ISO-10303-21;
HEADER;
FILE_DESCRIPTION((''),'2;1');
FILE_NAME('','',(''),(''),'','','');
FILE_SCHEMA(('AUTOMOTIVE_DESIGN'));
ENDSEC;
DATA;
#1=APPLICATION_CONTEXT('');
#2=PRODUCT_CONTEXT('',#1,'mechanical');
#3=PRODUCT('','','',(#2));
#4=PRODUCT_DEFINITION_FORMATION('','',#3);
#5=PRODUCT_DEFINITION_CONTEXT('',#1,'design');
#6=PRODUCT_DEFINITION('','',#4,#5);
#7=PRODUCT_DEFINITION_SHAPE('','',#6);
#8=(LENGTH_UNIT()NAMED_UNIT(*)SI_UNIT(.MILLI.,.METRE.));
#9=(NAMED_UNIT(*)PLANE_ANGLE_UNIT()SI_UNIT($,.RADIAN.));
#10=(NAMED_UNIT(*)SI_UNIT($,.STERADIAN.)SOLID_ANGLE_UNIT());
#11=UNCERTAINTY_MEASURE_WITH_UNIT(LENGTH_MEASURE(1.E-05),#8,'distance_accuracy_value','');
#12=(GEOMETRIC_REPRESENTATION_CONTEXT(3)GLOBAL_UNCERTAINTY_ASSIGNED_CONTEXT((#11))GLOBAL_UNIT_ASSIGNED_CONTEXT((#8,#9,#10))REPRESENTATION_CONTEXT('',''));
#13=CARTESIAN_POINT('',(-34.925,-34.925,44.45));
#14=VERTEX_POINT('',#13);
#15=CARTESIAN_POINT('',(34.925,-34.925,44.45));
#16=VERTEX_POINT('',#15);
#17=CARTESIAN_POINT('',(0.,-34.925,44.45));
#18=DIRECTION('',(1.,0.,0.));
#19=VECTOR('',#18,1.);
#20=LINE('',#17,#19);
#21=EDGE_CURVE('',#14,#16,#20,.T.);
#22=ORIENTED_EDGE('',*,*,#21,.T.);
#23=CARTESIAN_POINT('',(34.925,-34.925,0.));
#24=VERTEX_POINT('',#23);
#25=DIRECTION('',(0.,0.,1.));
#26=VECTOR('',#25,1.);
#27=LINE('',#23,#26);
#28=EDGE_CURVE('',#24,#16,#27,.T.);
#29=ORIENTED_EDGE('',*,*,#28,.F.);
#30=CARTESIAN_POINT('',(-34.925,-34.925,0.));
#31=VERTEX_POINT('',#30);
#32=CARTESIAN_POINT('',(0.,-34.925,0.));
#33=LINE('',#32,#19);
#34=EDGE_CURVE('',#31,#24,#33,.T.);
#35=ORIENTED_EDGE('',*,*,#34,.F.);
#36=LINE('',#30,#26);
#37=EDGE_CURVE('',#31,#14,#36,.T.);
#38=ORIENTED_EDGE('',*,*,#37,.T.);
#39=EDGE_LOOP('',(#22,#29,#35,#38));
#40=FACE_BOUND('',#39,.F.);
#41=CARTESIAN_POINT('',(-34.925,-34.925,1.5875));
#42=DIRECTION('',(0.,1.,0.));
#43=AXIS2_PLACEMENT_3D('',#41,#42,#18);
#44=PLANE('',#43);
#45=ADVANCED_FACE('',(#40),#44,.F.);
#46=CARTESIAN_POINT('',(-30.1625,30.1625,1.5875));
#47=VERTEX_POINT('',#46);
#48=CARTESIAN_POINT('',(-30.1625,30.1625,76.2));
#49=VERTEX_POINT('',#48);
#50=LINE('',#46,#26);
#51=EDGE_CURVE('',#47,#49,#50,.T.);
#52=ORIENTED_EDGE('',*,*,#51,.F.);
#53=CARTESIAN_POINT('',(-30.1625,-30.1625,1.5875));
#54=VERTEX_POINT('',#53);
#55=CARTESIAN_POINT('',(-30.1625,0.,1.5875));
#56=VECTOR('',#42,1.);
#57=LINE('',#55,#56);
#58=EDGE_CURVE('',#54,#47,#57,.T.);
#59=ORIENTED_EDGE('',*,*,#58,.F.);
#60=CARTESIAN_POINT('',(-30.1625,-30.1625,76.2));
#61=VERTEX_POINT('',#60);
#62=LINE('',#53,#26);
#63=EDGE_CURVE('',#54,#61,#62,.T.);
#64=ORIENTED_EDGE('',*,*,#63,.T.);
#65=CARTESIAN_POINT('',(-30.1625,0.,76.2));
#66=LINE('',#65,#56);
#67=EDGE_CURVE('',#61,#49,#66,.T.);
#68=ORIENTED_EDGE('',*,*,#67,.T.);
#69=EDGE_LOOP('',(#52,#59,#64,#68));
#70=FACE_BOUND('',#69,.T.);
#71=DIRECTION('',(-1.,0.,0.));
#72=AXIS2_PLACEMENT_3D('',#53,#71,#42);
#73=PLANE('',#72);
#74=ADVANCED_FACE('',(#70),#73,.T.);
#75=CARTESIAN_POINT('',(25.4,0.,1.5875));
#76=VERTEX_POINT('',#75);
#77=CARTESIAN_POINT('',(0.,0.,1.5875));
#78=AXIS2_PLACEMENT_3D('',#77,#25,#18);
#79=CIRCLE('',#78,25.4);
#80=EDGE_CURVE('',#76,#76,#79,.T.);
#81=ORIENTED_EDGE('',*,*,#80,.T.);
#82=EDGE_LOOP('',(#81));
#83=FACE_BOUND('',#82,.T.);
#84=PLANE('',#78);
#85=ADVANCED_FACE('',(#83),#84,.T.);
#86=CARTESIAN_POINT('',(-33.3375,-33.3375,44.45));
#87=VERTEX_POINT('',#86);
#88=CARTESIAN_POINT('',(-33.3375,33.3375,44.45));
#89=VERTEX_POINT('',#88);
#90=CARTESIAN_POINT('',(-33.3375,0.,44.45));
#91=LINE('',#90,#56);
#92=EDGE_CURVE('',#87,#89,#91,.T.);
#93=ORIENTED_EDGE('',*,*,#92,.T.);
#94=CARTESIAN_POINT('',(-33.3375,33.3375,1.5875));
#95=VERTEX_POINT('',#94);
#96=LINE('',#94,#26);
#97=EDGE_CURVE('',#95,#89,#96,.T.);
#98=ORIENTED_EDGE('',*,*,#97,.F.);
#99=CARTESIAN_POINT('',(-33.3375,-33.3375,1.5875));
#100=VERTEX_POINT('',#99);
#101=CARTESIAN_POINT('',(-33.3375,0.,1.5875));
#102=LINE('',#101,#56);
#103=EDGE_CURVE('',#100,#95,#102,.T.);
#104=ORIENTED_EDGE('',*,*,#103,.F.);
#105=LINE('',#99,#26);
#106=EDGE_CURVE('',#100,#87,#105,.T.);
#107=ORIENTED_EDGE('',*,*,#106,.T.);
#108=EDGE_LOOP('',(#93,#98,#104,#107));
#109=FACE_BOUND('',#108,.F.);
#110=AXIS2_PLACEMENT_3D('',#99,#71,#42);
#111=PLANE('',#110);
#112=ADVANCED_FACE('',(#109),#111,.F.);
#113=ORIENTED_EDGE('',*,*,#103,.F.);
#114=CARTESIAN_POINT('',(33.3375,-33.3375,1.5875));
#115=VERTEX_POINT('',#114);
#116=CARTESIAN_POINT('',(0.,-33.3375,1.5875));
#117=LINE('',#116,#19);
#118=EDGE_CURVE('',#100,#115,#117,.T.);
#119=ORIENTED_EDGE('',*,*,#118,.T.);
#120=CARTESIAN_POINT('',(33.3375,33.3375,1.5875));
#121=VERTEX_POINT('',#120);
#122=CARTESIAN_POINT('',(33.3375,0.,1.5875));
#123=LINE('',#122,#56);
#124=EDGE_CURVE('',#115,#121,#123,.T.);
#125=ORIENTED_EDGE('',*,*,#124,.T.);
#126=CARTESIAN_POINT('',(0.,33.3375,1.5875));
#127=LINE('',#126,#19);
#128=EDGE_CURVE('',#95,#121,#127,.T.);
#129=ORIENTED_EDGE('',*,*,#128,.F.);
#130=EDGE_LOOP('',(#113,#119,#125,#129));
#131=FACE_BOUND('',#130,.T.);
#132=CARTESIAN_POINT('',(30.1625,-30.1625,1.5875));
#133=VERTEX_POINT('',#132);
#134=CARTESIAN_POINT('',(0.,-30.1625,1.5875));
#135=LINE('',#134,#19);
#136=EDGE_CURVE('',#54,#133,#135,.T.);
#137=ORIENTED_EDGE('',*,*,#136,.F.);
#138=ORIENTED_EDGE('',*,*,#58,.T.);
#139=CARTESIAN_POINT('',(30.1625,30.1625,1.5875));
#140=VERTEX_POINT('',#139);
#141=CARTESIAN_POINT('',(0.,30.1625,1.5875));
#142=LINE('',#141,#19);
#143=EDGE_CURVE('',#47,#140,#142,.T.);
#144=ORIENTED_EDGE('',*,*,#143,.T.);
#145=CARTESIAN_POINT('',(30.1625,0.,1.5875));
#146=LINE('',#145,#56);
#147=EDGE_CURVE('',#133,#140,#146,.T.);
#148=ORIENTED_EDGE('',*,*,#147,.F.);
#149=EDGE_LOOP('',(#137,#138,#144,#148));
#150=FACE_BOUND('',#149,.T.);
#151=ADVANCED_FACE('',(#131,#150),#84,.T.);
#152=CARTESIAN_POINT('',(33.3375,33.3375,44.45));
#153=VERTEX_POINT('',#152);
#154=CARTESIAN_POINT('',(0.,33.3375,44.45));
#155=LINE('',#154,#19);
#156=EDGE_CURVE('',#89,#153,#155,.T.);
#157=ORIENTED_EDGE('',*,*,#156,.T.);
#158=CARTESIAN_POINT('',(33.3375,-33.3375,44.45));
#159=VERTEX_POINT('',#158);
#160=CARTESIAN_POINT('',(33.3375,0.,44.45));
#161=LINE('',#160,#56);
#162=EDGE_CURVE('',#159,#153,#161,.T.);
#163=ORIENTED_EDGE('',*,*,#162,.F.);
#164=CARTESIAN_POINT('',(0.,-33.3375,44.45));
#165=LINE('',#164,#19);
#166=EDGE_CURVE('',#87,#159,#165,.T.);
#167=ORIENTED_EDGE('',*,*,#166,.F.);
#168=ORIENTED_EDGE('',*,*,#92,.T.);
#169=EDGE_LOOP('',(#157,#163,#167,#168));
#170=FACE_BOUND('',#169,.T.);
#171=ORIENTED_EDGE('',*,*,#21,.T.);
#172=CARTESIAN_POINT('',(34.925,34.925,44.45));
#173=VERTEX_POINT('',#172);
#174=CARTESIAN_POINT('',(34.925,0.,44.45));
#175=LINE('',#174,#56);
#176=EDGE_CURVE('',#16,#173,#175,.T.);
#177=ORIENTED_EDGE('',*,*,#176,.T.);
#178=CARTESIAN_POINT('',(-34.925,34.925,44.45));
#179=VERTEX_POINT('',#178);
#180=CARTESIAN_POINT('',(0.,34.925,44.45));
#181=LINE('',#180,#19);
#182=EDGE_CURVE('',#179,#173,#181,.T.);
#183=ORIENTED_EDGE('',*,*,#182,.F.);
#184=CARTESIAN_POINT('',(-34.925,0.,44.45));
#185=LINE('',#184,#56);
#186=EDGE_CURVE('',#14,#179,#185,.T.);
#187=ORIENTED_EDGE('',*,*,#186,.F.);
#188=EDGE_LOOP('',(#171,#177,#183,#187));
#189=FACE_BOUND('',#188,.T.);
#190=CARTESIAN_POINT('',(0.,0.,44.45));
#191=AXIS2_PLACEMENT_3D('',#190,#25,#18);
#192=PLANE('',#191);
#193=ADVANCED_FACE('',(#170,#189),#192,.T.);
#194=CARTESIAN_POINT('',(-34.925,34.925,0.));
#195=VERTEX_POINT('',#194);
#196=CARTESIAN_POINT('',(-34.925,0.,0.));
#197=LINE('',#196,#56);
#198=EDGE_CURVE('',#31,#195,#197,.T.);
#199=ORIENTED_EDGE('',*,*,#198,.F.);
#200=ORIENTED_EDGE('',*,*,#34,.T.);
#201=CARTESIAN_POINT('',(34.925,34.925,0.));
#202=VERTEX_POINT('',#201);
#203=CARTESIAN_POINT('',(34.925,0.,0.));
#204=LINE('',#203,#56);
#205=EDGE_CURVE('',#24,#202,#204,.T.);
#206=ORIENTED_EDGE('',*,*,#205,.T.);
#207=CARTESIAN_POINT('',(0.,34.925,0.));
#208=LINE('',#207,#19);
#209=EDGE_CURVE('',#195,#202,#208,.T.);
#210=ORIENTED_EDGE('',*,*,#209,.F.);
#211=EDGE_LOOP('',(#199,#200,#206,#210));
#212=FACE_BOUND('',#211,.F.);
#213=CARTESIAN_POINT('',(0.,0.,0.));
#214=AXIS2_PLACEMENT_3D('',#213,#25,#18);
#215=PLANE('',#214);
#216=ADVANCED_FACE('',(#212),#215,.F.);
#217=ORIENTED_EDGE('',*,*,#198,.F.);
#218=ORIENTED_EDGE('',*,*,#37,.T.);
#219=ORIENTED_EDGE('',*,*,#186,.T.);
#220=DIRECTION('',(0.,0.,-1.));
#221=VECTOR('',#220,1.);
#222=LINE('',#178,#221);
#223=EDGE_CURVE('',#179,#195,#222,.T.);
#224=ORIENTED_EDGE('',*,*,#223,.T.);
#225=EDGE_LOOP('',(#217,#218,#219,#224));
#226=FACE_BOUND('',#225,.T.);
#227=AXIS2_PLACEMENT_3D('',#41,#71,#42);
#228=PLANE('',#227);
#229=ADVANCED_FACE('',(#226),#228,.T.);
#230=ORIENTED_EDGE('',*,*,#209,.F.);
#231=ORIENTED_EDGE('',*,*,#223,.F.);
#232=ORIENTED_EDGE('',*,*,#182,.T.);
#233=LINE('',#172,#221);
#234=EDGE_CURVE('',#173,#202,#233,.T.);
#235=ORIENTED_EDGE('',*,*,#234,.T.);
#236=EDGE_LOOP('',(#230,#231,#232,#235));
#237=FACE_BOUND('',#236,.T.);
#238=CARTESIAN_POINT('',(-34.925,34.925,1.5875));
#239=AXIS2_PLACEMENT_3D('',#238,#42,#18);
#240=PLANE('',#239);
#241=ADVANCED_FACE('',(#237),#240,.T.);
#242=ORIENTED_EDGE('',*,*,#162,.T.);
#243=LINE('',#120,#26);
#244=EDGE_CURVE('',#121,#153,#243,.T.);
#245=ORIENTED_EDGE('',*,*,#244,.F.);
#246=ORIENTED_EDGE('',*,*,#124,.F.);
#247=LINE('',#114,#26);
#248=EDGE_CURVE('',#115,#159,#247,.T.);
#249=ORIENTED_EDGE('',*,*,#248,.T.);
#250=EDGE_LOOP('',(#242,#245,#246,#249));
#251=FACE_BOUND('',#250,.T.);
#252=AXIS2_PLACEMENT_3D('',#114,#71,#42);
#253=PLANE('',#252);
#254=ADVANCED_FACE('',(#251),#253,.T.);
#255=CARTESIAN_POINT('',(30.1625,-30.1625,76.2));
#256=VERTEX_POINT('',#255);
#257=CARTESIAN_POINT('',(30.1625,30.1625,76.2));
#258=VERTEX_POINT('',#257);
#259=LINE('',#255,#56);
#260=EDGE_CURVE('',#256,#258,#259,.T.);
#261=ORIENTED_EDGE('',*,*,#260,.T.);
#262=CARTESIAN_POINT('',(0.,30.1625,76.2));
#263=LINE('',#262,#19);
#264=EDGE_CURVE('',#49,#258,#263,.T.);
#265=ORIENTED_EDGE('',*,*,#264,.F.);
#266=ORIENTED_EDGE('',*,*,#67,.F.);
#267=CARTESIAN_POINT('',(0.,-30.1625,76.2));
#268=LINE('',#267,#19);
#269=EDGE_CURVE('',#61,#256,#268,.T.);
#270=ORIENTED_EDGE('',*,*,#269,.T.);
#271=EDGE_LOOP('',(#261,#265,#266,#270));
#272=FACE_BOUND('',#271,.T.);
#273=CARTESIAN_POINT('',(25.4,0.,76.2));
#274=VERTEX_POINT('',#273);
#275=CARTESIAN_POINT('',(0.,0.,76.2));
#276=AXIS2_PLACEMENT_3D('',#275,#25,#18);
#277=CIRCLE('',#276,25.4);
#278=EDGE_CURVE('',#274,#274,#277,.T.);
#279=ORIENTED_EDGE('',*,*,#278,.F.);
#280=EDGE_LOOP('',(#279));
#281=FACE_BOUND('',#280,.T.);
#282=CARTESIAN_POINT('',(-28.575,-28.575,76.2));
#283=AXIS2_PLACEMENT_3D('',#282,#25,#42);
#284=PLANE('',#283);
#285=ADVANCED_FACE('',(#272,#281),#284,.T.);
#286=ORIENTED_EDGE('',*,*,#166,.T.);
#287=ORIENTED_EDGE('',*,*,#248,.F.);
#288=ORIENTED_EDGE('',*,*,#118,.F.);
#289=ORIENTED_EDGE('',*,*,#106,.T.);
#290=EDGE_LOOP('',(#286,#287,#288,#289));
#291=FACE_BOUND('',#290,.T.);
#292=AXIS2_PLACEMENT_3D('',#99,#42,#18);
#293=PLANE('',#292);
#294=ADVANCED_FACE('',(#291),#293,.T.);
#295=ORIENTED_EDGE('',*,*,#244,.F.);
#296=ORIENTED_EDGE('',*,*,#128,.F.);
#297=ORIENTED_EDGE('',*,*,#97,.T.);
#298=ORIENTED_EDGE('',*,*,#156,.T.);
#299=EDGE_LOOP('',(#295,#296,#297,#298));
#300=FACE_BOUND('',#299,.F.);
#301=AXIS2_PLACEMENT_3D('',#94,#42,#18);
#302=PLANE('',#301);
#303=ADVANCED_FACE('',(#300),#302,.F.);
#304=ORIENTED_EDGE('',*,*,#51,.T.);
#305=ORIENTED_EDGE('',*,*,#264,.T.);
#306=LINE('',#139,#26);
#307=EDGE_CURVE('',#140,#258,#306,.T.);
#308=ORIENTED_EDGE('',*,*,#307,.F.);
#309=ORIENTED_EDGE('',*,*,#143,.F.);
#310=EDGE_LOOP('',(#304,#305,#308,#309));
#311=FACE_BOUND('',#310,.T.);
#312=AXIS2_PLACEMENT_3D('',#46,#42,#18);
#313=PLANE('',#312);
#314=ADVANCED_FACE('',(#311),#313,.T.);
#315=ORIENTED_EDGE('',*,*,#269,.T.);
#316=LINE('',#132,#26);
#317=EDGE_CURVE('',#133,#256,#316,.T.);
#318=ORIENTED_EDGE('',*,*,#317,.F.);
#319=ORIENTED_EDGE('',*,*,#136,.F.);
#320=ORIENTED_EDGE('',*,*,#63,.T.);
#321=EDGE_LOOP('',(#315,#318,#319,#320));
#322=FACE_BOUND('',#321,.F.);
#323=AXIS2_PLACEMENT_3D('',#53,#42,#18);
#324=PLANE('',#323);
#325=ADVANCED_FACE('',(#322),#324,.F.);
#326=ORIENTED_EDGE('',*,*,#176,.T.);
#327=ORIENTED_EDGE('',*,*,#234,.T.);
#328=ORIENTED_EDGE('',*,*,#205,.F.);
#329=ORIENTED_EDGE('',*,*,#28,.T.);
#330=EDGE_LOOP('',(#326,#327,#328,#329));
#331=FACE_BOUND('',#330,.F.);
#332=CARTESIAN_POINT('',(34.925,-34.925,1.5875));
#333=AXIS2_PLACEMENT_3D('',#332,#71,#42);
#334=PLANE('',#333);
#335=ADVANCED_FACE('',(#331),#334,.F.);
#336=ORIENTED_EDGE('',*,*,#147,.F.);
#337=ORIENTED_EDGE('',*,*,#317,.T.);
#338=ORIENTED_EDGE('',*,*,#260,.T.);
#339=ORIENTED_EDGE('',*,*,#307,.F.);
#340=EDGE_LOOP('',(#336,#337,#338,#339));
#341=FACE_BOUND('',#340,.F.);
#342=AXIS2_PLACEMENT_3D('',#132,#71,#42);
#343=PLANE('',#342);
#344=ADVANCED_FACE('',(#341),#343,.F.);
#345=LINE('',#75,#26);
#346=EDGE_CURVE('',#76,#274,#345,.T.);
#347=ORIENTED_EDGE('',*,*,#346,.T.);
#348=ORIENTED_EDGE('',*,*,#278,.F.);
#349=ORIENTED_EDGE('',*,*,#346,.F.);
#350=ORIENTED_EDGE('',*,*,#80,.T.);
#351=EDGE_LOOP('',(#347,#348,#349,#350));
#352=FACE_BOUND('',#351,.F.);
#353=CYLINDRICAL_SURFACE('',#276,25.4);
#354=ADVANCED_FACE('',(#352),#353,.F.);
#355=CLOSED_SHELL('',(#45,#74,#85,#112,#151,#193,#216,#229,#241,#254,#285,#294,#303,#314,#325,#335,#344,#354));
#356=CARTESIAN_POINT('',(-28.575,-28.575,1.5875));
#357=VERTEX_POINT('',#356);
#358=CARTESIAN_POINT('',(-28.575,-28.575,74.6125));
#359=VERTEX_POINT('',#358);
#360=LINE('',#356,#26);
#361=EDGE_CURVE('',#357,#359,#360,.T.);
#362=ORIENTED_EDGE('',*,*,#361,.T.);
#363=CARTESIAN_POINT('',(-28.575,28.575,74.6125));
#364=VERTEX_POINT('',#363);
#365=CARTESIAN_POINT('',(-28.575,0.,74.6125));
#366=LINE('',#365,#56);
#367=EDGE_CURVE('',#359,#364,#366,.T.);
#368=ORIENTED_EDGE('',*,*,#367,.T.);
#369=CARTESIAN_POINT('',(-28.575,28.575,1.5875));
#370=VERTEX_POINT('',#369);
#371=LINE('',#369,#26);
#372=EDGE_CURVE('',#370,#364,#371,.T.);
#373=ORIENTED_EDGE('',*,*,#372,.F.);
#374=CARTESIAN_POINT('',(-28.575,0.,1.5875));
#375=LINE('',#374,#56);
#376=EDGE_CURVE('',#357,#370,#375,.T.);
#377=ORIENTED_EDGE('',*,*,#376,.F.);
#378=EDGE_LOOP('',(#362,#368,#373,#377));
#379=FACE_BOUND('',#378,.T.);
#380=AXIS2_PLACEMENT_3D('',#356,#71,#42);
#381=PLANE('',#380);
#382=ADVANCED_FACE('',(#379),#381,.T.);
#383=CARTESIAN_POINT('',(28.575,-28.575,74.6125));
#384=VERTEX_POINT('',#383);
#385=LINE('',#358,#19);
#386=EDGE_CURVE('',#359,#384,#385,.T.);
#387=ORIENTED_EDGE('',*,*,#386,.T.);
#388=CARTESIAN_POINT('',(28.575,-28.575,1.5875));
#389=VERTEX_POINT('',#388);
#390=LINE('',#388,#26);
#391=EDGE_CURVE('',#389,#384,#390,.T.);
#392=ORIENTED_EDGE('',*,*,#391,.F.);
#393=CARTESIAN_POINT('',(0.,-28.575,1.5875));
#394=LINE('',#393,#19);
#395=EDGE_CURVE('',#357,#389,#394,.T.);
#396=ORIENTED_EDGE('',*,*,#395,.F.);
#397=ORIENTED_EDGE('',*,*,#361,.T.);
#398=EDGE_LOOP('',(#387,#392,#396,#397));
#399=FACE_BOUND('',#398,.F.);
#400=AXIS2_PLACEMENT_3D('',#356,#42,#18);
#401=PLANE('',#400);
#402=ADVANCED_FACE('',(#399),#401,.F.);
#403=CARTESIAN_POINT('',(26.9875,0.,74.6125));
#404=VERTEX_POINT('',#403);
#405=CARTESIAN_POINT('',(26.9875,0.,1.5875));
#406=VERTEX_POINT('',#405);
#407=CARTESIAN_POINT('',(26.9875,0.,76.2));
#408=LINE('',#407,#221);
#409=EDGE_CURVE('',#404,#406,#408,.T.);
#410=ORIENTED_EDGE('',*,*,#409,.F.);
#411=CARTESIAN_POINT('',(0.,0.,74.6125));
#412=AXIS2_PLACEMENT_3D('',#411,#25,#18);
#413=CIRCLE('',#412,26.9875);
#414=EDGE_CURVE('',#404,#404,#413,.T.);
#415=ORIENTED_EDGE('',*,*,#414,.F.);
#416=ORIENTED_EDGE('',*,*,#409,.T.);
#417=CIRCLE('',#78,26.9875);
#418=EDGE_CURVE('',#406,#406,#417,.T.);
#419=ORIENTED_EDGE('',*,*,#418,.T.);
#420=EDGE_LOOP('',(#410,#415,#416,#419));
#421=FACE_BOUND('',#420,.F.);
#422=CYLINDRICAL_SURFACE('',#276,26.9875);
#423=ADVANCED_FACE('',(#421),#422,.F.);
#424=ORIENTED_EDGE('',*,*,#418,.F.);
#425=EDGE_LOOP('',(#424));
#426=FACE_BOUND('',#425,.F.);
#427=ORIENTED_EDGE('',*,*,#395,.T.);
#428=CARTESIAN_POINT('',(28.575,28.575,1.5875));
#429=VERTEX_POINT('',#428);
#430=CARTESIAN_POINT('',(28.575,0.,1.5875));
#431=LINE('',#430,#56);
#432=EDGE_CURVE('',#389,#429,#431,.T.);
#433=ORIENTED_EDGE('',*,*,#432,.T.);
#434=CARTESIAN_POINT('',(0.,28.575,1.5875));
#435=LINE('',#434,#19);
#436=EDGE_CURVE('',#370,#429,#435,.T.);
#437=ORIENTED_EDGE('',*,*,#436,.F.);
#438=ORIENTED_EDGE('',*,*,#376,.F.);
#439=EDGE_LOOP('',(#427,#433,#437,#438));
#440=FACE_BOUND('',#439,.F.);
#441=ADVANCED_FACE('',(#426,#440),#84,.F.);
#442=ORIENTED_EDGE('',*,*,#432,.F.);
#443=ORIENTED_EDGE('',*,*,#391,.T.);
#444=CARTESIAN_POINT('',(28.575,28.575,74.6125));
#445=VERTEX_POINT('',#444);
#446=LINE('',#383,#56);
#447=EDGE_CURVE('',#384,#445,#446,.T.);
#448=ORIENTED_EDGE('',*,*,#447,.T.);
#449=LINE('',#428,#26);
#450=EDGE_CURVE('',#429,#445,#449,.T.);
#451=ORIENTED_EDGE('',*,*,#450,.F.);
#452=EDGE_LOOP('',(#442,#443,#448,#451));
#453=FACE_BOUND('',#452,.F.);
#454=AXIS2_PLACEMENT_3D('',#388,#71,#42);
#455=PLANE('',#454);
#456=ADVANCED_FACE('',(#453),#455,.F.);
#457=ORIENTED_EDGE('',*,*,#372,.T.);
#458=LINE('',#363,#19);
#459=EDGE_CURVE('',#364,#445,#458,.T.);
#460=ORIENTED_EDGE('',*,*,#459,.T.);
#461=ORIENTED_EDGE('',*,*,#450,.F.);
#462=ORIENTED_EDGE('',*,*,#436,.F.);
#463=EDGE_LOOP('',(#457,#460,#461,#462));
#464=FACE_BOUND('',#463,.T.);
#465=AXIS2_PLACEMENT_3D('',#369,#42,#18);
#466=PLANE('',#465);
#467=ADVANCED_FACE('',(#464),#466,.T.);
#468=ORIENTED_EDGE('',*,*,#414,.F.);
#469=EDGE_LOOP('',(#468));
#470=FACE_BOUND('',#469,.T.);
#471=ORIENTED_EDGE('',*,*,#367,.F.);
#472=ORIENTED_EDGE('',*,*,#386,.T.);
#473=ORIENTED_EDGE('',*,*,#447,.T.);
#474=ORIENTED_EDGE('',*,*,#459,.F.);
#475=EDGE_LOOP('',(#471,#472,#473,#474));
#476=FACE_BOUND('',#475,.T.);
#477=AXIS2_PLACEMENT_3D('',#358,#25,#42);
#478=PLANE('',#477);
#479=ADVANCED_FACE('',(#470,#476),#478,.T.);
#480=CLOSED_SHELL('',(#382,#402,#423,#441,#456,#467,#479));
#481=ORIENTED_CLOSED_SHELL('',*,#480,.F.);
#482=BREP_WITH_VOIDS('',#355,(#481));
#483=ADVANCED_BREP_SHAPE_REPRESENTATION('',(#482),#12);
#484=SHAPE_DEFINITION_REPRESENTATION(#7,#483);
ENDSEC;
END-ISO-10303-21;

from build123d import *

# Parameters (mm, degrees)
F0_W      = 69.85
F0_H      = 69.85
F1_DEPTH  = 1.5875
F2_W      = 69.85
F2_H      = 69.85
F2_W_2    = 66.675
F2_H_2    = 66.675
F3_DEPTH  = 42.8625
F4_W      = 60.325
F4_H      = 60.325
F4_W_2    = 57.15
F4_H_2    = 57.15
F5_DEPTH  = 74.6125
F6_W      = 57.15
F6_H      = 1.5875
F7_DEPTH  = 58.7375
F8_R      = 25.4
F9_DEPTH  = 74.6125
F10_R     = 26.9875
F10_R_2   = 25.4
F11_DEPTH = 76.2


with BuildPart() as f1:
    # F0 (on Top) → F1 (new body)
    with BuildSketch(Plane.XY):
        Rectangle(F0_W, F0_H)
    extrude(amount=F1_DEPTH)

    # F2 (on face) → F3 (join)
    with BuildSketch(Plane.XY.offset(1.5875)):
        Rectangle(F2_W, F2_H)
        Rectangle(F2_W_2, F2_H_2, mode=Mode.SUBTRACT)
    extrude(amount=F3_DEPTH)

    # F4 (on face) → F5 (join)
    with BuildSketch(Plane.XY.offset(1.5875)):
        Rectangle(F4_W, F4_H)
        Rectangle(F4_W_2, F4_H_2, mode=Mode.SUBTRACT)
    extrude(amount=F5_DEPTH)

    # F6 (on face) → F7 (join)
    with BuildSketch(Plane.YZ.offset(-28.575)):
        with Locations((0, 75.40625)):
            Rectangle(F6_W, F6_H)
    extrude(amount=F7_DEPTH)

    # F8 (on face) → F9 (cut)
    with BuildSketch(Plane.XY.offset(76.2)):
        Circle(F8_R)
    extrude(amount=-F9_DEPTH, mode=Mode.SUBTRACT)

    # F10 (on face) → F11 (join)
    with BuildSketch(Plane.XY.offset(76.2)):
        Circle(F10_R)
        Circle(F10_R_2, mode=Mode.SUBTRACT)
    extrude(amount=-F11_DEPTH)


solid = f1.part
